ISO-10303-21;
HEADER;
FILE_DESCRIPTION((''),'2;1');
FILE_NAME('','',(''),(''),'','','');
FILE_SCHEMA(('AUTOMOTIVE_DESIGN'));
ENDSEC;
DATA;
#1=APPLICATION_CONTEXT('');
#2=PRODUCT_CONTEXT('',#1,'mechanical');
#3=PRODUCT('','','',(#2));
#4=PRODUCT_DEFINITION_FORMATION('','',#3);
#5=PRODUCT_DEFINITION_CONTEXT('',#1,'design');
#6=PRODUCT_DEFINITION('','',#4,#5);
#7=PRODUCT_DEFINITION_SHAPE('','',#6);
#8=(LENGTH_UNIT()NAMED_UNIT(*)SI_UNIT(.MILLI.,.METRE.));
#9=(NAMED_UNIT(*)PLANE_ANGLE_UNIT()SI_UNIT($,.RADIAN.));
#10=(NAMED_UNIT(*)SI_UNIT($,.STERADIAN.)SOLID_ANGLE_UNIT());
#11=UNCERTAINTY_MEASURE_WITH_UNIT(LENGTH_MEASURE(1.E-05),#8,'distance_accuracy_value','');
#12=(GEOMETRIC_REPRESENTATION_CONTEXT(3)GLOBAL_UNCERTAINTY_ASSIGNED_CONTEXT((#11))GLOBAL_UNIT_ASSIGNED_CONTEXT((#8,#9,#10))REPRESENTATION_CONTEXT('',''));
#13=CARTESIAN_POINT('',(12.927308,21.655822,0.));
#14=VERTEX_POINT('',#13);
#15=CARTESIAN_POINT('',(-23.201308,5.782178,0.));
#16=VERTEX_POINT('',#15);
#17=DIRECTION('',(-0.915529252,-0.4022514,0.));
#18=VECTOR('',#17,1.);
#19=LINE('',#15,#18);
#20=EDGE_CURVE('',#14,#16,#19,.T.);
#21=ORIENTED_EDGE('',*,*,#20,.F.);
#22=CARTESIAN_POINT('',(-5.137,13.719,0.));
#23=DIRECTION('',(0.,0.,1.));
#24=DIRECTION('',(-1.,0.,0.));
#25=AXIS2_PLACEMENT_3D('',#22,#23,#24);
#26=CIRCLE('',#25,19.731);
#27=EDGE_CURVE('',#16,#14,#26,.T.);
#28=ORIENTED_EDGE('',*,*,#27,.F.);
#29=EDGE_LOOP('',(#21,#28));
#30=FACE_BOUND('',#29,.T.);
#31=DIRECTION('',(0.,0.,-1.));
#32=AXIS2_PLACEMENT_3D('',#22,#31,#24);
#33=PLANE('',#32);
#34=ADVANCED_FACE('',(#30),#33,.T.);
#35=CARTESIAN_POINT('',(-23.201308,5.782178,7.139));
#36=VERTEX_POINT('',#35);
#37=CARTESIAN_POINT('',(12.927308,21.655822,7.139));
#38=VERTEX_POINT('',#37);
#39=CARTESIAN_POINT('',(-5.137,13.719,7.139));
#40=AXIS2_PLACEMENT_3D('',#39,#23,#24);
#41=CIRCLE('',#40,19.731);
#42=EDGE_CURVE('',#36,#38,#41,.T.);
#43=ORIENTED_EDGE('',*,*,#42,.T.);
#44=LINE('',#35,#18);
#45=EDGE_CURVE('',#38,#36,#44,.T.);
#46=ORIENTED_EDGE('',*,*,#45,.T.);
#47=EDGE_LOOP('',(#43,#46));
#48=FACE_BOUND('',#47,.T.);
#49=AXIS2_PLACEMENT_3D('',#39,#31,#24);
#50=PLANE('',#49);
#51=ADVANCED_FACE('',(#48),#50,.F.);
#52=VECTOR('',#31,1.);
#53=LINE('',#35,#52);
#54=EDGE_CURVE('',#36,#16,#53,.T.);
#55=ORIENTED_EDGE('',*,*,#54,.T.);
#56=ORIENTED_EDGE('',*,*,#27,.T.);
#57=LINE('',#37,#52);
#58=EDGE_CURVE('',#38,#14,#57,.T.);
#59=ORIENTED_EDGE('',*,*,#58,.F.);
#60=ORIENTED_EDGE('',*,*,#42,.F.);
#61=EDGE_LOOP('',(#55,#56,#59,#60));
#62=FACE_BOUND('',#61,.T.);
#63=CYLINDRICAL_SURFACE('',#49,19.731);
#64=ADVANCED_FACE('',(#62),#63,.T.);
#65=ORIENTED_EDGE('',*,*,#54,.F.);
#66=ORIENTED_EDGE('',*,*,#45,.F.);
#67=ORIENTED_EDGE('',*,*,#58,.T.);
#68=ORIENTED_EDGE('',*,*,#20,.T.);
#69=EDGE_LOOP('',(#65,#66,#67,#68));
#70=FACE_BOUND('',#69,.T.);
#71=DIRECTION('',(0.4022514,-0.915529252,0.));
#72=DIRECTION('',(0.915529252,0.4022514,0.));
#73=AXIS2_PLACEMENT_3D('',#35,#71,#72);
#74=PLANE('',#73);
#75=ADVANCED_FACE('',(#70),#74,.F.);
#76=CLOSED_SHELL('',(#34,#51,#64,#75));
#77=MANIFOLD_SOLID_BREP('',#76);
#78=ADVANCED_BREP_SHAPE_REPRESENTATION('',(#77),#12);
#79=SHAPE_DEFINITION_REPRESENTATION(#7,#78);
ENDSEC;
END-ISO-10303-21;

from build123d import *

# Parameters (mm, degrees)
CURVEBOSS_DEPTH = 7.139


with BuildPart() as part:
    # CurveSketch → CurveBoss (new body)
    with BuildSketch(Plane.XY):
        with BuildLine():
            Line((-23.201307673, 5.782177631), (12.927307673, 21.655822369))
            ThreePointArc((12.927307673, 21.655822369), (2.799822369, -4.345307673), (-23.201307673, 5.782177631))
        make_face()
    extrude(amount=CURVEBOSS_DEPTH)


solid = part.part
